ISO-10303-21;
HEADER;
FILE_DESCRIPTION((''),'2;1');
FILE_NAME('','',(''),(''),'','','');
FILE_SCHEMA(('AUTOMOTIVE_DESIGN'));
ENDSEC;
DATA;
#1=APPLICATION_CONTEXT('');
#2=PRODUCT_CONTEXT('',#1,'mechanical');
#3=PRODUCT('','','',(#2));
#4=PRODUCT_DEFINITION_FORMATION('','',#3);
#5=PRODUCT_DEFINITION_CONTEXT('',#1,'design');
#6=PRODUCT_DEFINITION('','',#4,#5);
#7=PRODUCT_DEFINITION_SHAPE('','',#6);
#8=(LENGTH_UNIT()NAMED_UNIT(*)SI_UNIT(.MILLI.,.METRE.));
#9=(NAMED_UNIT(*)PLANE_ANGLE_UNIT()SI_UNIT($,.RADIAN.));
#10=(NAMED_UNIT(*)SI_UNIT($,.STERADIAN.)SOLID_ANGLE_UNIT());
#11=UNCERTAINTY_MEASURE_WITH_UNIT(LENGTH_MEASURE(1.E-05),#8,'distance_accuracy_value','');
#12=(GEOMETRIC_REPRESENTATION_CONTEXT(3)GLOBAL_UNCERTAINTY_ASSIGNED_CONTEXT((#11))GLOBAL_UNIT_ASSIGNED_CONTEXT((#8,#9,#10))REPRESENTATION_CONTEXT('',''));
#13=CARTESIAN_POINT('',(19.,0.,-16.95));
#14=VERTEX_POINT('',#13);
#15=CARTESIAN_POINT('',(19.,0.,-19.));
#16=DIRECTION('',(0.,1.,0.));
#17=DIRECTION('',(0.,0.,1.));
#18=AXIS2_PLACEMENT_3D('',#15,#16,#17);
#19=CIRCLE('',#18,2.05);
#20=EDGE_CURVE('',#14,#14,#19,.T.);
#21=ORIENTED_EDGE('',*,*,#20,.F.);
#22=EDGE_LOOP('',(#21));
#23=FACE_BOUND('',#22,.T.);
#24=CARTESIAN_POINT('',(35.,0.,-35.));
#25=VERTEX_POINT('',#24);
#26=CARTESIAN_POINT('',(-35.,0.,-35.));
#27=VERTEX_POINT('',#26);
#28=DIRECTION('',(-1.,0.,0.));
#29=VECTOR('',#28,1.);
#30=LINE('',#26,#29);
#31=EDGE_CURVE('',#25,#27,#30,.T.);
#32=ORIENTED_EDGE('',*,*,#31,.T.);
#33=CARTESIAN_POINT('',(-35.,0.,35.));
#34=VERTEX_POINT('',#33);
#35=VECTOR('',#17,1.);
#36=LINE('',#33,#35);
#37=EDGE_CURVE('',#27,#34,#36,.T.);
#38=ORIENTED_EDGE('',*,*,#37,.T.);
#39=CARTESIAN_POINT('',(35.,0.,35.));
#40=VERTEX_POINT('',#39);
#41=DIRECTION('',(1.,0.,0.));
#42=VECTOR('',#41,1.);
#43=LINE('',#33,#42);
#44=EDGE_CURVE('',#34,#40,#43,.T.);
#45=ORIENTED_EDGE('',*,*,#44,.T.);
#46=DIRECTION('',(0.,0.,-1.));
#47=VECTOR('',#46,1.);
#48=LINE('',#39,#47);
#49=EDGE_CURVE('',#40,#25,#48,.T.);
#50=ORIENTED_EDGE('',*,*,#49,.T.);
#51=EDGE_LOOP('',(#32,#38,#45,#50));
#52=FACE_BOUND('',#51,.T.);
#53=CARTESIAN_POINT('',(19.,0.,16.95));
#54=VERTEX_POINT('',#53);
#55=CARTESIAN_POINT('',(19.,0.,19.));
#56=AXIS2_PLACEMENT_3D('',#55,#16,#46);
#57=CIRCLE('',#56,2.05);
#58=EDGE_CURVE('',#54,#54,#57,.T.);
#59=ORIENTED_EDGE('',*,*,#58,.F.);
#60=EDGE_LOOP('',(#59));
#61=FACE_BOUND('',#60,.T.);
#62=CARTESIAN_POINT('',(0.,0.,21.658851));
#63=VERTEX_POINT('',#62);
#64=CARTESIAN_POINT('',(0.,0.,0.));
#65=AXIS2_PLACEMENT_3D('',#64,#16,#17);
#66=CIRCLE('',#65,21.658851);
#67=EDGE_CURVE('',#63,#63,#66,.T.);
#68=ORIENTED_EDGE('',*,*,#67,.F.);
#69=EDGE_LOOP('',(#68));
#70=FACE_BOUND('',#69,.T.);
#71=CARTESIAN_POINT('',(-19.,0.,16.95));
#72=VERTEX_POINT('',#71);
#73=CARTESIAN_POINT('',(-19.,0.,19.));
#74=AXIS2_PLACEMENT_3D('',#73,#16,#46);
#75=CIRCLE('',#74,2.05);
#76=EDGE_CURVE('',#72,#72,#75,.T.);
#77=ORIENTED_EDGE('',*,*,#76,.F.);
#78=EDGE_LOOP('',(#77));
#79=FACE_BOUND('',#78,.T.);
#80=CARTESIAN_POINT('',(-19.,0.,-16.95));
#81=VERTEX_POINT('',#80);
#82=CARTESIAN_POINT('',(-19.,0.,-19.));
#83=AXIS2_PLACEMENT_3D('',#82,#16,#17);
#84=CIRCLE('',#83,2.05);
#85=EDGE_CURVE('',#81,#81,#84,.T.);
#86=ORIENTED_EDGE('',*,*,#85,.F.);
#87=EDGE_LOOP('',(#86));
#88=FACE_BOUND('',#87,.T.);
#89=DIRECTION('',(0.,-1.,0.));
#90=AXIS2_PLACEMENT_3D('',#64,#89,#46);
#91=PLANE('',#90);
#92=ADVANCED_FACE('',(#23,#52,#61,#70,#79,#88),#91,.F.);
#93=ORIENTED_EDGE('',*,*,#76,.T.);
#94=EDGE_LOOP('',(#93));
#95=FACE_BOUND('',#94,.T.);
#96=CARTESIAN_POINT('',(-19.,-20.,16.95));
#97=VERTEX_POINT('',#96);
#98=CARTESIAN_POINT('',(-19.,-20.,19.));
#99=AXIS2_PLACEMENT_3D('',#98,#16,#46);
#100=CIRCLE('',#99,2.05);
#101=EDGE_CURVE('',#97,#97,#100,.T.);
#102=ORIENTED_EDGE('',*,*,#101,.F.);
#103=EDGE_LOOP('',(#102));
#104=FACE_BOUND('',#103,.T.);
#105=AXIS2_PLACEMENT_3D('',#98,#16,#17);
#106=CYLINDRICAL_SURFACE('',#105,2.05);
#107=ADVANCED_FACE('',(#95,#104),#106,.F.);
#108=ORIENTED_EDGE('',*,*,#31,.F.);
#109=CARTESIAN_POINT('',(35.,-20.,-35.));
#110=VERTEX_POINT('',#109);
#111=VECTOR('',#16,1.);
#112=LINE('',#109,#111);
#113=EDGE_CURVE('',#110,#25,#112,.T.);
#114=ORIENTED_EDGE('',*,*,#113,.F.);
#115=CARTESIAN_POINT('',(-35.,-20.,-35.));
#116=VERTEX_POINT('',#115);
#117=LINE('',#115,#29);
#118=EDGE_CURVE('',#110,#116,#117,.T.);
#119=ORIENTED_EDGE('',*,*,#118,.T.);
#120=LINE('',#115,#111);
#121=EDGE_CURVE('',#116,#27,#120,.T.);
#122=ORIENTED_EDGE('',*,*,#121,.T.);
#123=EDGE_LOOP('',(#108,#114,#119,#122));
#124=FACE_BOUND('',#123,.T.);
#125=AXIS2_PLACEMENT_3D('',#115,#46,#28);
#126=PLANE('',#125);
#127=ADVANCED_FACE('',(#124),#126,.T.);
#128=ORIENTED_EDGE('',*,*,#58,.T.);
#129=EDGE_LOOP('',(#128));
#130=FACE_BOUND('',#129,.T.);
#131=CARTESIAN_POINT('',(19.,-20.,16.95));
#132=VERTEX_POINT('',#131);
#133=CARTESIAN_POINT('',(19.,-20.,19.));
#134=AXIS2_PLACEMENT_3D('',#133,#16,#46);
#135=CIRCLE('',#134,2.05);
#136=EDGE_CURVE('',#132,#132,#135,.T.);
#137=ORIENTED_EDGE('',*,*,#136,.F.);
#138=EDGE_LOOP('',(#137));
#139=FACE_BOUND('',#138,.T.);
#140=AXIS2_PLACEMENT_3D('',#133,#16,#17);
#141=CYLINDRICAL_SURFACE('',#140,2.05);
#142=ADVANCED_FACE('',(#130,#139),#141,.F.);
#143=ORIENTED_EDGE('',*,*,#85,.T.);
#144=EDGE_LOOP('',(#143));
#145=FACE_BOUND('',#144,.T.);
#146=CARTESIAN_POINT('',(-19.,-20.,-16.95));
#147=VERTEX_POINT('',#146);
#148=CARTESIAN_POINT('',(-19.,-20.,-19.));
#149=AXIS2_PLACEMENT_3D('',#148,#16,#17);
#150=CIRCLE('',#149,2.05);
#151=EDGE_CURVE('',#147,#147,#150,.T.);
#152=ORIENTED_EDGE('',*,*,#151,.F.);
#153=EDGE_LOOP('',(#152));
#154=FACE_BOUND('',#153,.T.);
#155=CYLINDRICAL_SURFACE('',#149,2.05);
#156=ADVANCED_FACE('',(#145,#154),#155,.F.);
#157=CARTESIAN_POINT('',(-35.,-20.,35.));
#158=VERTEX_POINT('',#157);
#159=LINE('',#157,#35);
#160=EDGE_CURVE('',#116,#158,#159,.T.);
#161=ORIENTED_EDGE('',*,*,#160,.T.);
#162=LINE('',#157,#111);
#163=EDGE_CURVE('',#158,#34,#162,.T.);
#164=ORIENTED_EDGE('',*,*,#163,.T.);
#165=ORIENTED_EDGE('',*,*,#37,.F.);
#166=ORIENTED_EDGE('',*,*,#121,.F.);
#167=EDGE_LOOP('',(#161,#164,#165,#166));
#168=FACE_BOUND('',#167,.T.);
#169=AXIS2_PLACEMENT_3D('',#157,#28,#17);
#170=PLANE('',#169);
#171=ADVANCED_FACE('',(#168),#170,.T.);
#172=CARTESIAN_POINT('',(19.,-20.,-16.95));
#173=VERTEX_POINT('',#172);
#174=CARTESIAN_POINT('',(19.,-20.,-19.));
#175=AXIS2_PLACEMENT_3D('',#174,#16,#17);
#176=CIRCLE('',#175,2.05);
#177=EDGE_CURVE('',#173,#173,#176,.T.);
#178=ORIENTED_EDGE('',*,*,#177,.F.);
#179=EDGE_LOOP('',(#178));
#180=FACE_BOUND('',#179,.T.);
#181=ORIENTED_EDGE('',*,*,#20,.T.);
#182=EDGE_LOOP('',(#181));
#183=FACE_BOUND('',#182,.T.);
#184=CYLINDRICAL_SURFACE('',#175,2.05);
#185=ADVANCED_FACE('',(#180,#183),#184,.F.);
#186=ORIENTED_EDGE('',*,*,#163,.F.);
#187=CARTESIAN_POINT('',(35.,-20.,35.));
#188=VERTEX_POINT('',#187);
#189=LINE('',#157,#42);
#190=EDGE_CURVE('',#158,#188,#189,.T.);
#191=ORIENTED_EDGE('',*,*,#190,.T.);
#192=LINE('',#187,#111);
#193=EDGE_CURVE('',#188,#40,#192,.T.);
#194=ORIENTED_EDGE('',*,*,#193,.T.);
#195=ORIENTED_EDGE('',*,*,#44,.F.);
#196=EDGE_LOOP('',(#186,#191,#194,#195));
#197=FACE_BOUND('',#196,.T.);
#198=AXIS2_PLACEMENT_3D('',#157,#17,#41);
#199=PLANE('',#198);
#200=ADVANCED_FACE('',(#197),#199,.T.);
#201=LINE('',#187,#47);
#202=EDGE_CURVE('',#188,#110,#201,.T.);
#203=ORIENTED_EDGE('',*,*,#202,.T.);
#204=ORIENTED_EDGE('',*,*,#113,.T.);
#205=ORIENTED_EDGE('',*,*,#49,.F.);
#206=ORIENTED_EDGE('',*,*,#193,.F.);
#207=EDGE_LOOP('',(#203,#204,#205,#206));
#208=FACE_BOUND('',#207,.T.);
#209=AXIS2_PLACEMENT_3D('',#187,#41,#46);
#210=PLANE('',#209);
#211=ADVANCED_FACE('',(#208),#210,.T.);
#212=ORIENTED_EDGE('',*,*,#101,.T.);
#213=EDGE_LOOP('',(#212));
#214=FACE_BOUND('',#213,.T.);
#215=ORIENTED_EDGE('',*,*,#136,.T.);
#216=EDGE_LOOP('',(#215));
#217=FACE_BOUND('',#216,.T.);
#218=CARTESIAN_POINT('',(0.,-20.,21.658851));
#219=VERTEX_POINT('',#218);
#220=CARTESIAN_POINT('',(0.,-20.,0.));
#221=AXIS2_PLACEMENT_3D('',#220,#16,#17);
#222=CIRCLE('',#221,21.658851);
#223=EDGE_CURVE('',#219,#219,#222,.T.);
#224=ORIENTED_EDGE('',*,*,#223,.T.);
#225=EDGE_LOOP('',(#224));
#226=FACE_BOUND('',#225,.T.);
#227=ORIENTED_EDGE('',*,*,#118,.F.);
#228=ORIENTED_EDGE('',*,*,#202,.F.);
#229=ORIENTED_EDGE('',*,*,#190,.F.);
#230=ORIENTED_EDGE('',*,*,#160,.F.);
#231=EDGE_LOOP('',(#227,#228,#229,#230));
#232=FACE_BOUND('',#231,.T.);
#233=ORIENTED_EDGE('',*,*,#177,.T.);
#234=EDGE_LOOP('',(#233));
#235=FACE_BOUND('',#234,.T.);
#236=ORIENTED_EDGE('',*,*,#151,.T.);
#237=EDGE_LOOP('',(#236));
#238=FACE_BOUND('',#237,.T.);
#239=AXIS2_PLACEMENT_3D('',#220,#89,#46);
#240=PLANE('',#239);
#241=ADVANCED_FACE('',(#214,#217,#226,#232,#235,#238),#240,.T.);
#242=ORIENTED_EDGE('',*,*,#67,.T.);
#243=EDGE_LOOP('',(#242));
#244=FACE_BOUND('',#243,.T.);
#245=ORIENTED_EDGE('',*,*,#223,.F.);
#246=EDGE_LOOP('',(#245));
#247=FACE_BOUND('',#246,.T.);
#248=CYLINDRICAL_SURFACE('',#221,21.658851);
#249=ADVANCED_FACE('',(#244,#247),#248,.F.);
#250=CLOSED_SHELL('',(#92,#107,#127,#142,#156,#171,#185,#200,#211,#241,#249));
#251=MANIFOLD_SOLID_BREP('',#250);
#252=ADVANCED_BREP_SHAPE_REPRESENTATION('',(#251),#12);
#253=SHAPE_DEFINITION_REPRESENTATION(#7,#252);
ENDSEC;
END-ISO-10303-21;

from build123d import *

# Parameters (mm, degrees)
SKETCH2_W           = 70
SKETCH2_H           = 70
BOSS_EXTRUDE1_DEPTH = 20
SKETCH3_R           = 2.05
CUT_EXTRUDE1_DEPTH  = 54.38539126
SKETCH4_R           = 21.658851084
CUT_EXTRUDE2_DEPTH  = 54.38539126


with BuildPart() as part:
    # Sketch2 → Boss-Extrude1 (new body)
    with BuildSketch(Plane(origin=(0, 0, 0), x_dir=(1, 0, 0), z_dir=(0, 1, 0))):
        Rectangle(SKETCH2_W, SKETCH2_H)
    extrude(amount=-BOSS_EXTRUDE1_DEPTH)

    # Sketch1 → Cut-Revolve1 (revolve, cut)
    with BuildSketch(Plane.XY, mode=Mode.PRIVATE) as cut_revolve1_sk:
        with BuildLine():
            Line((0, -17.2), (0, 0))
            Line((0, 0), (21.241684944, 0))
            Line((21.241684944, 0), (21.158851084, -0.511526958))
            add(Edge.make_bspline(
                [(0, -17.2), (0.530678283, -17.2), (1.61157482, -17.183508716), (3.615531125, -17.08588663), (5.944127269, -16.844919371), (8.44843367, -16.370131279), (11.442656399, -15.492934033), (14.579654851, -13.93724298), (17.382164488, -11.402739011), (19.199009229, -8.500896664), (20.23569058, -5.583194157), (20.706490619, -3.313387562), (20.981886079, -1.635929169), (21.096876841, -0.894238762), (21.158851084, -0.511526958)],
                knots=[0, 0, 0, 0, 0.03125, 0.0625, 0.125, 0.1875, 0.25, 0.375, 0.5, 0.625, 0.75, 0.875, 0.9375, 1, 1, 1, 1], degree=3))
        make_face()
    revolve(cut_revolve1_sk.sketch.rotate(Axis((0, -17.2, 0), (0, 1, 0)), 90), axis=Axis((0, -17.2, 0), (0, 1, 0)), mode=Mode.SUBTRACT)

    # Sketch3 → Cut-Extrude1 (cut, through all)
    with BuildSketch(Plane(origin=(0, 0, 0), x_dir=(1, 0, 0), z_dir=(0, 1, 0))):
        with Locations(Location((-19, 19, 0), (0, 0, 270))):
            Circle(SKETCH3_R)
        with Locations(Location((19, -19, 0), (0, 0, 90))):
            Circle(SKETCH3_R)
        with Locations(Location((-19, -19, 0), (0, 0, 90))):
            Circle(SKETCH3_R)
        with Locations(Location((19, 19, 0), (0, 0, 270))):
            Circle(SKETCH3_R)
    extrude(amount=-CUT_EXTRUDE1_DEPTH, mode=Mode.SUBTRACT)

    # Sketch4 → Cut-Extrude2 (cut, through all)
    with BuildSketch(Plane(origin=(0, 0, 0), x_dir=(1, 0, 0), z_dir=(0, 1, 0))):
        with Locations(Location((0, 0, 0), (0, 0, 270))):
            Circle(SKETCH4_R)
    extrude(amount=-CUT_EXTRUDE2_DEPTH, mode=Mode.SUBTRACT)


solid = part.part
